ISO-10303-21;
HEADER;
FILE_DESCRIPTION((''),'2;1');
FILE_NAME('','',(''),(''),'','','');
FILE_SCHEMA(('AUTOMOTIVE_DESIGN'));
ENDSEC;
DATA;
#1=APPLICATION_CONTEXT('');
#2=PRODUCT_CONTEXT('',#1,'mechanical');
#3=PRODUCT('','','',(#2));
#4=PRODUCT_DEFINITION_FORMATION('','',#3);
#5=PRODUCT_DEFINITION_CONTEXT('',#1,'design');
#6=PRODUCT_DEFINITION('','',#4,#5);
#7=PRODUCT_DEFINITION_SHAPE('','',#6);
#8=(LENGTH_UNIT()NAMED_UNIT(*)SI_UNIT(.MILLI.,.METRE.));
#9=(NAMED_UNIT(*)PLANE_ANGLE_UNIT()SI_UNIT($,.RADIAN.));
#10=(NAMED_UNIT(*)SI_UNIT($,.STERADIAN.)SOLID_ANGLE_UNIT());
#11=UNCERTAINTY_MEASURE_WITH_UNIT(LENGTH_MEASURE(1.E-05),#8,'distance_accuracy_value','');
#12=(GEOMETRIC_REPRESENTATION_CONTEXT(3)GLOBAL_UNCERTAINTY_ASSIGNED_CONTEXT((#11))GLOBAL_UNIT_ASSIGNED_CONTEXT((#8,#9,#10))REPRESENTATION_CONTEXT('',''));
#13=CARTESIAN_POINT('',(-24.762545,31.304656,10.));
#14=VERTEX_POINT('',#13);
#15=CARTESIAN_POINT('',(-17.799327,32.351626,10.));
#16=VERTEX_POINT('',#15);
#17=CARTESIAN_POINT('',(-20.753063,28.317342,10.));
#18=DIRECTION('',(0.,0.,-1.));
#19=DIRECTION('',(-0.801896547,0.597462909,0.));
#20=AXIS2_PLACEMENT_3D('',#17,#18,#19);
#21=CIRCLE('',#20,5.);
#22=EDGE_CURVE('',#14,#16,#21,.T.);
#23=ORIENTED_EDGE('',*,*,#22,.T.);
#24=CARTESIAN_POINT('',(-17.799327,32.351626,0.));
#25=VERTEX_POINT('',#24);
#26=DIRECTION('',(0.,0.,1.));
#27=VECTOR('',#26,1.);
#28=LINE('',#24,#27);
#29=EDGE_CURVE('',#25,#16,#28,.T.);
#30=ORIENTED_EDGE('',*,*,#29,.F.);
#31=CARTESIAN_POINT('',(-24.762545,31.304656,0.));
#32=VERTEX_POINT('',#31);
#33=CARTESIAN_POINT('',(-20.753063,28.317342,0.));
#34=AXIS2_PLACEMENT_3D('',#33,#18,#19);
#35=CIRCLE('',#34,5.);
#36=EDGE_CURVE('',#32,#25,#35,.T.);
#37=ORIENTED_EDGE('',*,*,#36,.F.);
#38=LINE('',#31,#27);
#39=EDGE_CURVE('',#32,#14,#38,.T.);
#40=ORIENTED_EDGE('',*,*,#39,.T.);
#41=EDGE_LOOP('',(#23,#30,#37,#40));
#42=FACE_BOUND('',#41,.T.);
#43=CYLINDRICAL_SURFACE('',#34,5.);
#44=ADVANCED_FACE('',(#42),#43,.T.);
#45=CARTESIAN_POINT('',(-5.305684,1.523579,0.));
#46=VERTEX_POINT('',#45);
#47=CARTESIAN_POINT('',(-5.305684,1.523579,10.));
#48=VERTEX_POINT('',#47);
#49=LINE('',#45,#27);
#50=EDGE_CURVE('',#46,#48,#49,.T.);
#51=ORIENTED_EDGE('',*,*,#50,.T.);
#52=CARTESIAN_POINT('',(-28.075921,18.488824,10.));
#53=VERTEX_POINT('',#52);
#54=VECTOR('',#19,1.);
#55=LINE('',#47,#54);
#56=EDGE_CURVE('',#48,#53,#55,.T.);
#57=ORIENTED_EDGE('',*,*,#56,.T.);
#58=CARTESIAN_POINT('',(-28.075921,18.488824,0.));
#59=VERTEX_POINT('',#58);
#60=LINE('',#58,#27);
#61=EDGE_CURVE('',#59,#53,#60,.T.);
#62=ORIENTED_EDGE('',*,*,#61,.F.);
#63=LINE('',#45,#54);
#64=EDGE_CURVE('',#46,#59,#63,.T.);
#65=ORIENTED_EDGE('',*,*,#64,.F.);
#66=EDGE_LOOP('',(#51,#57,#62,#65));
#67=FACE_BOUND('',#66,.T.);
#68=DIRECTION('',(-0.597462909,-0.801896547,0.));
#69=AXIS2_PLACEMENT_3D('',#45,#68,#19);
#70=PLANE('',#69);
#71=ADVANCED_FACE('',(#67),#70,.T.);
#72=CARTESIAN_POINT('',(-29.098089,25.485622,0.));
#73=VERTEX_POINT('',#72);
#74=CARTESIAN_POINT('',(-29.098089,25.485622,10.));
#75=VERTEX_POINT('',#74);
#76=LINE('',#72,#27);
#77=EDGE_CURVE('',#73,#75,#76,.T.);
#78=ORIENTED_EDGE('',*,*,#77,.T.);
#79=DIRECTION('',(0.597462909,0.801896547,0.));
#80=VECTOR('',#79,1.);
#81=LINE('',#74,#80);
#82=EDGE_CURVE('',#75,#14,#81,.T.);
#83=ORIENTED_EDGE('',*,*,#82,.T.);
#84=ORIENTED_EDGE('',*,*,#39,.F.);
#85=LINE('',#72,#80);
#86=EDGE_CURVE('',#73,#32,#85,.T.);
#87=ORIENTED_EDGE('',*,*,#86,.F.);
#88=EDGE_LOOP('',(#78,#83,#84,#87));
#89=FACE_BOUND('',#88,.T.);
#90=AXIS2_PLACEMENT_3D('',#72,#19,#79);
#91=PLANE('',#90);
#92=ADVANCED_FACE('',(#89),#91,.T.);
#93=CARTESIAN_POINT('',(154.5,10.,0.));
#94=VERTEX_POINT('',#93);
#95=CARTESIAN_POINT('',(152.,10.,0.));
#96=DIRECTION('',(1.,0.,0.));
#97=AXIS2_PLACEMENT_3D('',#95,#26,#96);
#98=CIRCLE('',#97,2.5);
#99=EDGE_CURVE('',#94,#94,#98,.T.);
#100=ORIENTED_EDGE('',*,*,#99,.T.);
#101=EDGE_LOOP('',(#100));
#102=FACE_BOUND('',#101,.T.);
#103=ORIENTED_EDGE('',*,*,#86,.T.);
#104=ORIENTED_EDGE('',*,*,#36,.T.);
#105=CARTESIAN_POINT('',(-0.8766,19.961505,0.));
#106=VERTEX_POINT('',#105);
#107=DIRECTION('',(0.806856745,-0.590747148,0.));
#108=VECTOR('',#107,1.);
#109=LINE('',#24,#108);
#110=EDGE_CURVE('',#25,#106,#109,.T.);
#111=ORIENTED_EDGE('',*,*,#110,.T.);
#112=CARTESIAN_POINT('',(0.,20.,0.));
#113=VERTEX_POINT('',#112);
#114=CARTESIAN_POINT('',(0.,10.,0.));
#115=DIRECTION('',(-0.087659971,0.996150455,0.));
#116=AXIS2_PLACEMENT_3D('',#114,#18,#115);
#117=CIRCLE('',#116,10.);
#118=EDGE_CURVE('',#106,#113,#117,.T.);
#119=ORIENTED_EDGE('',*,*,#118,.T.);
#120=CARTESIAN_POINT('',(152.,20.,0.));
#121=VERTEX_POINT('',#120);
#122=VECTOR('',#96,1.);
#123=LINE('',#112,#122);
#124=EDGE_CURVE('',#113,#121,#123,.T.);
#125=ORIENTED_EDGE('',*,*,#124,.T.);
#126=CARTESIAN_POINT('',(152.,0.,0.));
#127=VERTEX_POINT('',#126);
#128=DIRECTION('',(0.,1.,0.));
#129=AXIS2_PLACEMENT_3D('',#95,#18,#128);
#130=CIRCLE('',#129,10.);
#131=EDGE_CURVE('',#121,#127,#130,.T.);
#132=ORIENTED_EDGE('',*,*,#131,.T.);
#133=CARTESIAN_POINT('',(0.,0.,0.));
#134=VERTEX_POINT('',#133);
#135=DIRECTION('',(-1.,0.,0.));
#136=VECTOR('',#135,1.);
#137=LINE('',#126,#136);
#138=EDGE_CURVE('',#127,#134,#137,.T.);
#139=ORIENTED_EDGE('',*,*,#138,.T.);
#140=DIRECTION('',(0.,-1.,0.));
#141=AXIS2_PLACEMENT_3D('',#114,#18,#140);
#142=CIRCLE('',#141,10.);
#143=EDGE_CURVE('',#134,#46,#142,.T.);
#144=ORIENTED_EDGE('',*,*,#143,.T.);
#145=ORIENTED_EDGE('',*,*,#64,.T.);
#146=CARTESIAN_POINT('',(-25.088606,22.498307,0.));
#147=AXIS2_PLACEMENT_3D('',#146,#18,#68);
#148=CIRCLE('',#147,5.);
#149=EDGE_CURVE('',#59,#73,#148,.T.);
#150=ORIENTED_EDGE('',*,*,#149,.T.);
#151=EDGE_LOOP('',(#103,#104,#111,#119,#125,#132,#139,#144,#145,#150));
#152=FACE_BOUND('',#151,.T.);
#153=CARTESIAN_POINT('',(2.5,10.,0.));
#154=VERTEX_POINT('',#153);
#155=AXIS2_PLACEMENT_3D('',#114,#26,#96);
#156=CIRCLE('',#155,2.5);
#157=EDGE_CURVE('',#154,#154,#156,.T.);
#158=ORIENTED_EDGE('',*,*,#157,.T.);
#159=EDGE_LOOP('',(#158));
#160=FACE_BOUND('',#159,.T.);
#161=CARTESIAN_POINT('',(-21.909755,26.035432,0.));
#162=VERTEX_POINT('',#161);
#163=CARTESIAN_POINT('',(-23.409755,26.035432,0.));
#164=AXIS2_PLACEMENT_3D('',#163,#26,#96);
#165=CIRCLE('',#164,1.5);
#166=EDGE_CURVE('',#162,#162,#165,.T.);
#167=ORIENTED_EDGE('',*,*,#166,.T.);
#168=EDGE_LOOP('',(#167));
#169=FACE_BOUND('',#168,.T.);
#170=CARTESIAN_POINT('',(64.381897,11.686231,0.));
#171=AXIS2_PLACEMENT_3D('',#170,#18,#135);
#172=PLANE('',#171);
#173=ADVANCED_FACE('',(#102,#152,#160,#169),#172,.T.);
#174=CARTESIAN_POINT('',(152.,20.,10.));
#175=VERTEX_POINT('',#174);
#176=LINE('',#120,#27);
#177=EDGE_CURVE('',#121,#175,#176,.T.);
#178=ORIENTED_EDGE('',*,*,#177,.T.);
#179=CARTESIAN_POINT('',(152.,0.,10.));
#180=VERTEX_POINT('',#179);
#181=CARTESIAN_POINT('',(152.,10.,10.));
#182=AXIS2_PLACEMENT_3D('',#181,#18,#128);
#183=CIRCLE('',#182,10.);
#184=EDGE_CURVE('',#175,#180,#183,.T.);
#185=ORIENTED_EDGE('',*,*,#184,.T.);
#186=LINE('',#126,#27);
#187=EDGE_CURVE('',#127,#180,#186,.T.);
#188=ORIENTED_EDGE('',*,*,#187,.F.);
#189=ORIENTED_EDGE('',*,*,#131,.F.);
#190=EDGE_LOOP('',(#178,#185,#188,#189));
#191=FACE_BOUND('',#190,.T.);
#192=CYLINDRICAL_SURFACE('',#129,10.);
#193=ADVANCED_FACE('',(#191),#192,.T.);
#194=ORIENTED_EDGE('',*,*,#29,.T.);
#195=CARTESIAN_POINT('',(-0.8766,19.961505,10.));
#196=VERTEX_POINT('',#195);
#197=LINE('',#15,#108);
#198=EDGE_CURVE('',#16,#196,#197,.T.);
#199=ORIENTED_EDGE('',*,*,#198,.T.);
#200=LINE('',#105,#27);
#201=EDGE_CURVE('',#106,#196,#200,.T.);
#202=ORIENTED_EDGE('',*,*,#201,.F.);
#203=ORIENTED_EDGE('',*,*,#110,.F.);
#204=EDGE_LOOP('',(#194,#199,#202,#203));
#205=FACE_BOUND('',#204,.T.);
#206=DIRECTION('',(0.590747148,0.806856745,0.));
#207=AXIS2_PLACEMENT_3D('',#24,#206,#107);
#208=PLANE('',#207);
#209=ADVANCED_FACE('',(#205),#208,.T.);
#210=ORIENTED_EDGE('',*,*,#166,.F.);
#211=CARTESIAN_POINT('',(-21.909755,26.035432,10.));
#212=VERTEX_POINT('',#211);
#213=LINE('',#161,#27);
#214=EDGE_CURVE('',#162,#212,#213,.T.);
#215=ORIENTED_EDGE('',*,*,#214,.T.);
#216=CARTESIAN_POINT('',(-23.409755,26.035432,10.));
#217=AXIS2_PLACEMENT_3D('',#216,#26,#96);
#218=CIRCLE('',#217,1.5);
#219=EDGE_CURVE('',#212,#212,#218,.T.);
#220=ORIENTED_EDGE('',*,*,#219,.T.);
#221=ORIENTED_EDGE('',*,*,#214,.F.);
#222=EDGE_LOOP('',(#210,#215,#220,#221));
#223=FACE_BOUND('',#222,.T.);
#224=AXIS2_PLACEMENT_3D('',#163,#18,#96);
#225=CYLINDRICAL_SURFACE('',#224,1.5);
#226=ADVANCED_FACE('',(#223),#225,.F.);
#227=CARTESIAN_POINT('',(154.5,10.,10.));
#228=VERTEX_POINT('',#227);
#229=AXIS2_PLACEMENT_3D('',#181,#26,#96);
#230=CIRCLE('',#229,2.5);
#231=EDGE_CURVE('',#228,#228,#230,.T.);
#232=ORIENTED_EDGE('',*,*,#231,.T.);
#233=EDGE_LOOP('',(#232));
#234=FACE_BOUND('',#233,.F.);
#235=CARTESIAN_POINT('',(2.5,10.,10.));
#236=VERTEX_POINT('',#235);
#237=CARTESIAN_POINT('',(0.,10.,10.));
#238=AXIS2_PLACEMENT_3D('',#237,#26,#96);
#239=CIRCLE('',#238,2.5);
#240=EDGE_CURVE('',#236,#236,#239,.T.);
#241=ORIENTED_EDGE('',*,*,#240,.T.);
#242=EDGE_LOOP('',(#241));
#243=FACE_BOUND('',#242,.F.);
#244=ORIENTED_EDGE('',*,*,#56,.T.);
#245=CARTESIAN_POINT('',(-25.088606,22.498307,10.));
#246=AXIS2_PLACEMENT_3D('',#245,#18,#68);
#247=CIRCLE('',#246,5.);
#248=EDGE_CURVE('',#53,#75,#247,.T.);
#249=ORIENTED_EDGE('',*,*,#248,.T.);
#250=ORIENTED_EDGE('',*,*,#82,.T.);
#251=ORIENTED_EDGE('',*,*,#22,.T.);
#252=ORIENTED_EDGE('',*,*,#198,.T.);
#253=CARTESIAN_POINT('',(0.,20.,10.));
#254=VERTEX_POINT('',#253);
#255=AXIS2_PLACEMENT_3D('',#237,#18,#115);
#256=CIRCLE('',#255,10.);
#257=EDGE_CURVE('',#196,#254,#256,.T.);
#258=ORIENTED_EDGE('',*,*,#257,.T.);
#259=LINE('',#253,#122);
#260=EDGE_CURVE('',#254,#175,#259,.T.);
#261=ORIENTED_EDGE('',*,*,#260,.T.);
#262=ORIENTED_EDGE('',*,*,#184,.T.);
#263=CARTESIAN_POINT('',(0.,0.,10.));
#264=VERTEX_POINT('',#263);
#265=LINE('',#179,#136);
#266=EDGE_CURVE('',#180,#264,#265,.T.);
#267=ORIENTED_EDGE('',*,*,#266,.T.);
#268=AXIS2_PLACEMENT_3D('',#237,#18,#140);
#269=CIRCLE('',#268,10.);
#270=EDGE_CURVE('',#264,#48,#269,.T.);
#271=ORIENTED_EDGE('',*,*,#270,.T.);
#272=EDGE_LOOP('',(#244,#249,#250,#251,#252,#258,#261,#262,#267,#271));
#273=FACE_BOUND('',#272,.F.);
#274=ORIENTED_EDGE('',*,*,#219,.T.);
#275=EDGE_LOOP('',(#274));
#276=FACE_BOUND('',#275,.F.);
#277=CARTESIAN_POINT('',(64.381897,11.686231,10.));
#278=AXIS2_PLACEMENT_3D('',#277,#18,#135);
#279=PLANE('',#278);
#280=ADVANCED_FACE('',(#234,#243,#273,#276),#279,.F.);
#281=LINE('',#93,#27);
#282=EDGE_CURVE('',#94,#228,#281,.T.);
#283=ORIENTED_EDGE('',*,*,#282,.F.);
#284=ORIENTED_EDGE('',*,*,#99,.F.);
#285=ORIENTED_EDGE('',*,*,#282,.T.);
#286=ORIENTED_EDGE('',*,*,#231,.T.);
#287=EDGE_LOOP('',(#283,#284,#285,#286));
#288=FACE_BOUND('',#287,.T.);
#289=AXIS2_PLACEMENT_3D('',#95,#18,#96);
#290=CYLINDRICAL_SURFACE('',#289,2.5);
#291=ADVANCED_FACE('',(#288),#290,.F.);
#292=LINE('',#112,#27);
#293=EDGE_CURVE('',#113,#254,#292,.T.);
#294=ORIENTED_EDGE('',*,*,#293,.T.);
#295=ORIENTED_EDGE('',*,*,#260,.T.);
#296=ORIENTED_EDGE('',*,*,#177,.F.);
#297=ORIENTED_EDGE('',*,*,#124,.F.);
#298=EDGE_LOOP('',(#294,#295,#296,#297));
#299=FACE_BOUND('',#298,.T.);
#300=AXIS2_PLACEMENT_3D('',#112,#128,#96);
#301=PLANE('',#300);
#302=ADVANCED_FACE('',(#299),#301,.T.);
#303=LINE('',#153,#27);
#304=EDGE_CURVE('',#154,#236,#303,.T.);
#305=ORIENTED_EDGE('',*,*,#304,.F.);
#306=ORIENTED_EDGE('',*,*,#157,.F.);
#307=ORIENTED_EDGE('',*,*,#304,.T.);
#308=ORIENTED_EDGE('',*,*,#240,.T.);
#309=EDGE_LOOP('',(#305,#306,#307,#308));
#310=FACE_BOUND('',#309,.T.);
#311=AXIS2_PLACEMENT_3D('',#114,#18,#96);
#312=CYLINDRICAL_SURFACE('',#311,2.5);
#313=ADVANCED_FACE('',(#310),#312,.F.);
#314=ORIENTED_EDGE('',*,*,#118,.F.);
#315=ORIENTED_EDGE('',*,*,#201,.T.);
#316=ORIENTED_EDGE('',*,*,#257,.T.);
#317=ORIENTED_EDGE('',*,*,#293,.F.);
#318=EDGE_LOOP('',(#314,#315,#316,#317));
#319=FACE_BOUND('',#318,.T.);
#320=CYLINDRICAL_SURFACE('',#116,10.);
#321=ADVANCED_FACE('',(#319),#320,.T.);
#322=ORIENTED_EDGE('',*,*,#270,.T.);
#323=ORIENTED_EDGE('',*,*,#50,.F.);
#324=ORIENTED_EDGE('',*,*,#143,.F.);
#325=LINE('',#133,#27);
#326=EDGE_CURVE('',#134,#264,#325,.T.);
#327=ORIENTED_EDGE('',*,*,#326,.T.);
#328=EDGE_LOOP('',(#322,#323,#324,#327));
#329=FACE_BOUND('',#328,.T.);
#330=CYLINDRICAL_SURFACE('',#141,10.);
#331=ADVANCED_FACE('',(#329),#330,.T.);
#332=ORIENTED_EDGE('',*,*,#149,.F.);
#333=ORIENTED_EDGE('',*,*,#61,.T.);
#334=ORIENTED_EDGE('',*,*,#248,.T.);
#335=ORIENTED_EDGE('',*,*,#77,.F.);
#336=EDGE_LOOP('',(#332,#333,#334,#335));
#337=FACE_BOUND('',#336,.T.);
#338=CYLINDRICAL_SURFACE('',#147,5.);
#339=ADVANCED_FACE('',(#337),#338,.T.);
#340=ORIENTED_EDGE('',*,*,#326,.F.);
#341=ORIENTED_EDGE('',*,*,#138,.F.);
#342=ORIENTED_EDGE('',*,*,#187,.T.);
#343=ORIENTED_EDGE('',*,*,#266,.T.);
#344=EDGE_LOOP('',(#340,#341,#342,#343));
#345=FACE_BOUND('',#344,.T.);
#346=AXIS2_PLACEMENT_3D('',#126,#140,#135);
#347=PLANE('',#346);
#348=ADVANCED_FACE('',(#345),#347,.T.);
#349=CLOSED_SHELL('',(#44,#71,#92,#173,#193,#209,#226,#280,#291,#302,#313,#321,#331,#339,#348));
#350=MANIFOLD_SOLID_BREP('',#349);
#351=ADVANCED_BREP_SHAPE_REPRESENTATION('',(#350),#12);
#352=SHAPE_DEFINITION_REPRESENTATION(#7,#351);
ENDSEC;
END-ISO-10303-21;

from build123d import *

# Parameters (mm, degrees)
ESQUISSE1_R        = 2.5
ESQUISSE1_R_2      = 1.5
BOSS_EXTRU_1_DEPTH = 10


with BuildPart() as part:
    # Esquisse1 → Boss.-Extru.1 (new body)
    with BuildSketch(Plane.XY):
        with BuildLine():
            Line((-5.305683683, 1.523578547), (-28.075920727, 18.488824386))
            ThreePointArc((-28.075920727, 18.488824386), (-30.036088987, 21.775525063), (-29.098088919, 25.485621667))
            Line((-29.098088919, 25.485621667), (-24.762545303, 31.304656462))
            ThreePointArc((-24.762545303, 31.304656462), (-21.496491478, 33.261764377), (-17.799326826, 32.351625643))
            Line((-17.799326826, 32.351625643), (-0.876599726, 19.961504551))
            ThreePointArc((-0.876599726, 19.961504551), (-0.438722287, 19.990371502), (0, 20))
            Line((0, 20), (152, 20))
            ThreePointArc((152, 20), (162, 10), (152, 0))
            Line((152, 0), (0, 0))
            ThreePointArc((0, 0), (-2.760053031, 0.388438875), (-5.305683683, 1.523578547))
        make_face()
        with Locations((0, 10)):
            Circle(ESQUISSE1_R, mode=Mode.SUBTRACT)
        with Locations((152, 10)):
            Circle(ESQUISSE1_R, mode=Mode.SUBTRACT)
        with Locations((-23.409755192, 26.035431675)):
            Circle(ESQUISSE1_R_2, mode=Mode.SUBTRACT)
    extrude(amount=BOSS_EXTRU_1_DEPTH)


solid = part.part
